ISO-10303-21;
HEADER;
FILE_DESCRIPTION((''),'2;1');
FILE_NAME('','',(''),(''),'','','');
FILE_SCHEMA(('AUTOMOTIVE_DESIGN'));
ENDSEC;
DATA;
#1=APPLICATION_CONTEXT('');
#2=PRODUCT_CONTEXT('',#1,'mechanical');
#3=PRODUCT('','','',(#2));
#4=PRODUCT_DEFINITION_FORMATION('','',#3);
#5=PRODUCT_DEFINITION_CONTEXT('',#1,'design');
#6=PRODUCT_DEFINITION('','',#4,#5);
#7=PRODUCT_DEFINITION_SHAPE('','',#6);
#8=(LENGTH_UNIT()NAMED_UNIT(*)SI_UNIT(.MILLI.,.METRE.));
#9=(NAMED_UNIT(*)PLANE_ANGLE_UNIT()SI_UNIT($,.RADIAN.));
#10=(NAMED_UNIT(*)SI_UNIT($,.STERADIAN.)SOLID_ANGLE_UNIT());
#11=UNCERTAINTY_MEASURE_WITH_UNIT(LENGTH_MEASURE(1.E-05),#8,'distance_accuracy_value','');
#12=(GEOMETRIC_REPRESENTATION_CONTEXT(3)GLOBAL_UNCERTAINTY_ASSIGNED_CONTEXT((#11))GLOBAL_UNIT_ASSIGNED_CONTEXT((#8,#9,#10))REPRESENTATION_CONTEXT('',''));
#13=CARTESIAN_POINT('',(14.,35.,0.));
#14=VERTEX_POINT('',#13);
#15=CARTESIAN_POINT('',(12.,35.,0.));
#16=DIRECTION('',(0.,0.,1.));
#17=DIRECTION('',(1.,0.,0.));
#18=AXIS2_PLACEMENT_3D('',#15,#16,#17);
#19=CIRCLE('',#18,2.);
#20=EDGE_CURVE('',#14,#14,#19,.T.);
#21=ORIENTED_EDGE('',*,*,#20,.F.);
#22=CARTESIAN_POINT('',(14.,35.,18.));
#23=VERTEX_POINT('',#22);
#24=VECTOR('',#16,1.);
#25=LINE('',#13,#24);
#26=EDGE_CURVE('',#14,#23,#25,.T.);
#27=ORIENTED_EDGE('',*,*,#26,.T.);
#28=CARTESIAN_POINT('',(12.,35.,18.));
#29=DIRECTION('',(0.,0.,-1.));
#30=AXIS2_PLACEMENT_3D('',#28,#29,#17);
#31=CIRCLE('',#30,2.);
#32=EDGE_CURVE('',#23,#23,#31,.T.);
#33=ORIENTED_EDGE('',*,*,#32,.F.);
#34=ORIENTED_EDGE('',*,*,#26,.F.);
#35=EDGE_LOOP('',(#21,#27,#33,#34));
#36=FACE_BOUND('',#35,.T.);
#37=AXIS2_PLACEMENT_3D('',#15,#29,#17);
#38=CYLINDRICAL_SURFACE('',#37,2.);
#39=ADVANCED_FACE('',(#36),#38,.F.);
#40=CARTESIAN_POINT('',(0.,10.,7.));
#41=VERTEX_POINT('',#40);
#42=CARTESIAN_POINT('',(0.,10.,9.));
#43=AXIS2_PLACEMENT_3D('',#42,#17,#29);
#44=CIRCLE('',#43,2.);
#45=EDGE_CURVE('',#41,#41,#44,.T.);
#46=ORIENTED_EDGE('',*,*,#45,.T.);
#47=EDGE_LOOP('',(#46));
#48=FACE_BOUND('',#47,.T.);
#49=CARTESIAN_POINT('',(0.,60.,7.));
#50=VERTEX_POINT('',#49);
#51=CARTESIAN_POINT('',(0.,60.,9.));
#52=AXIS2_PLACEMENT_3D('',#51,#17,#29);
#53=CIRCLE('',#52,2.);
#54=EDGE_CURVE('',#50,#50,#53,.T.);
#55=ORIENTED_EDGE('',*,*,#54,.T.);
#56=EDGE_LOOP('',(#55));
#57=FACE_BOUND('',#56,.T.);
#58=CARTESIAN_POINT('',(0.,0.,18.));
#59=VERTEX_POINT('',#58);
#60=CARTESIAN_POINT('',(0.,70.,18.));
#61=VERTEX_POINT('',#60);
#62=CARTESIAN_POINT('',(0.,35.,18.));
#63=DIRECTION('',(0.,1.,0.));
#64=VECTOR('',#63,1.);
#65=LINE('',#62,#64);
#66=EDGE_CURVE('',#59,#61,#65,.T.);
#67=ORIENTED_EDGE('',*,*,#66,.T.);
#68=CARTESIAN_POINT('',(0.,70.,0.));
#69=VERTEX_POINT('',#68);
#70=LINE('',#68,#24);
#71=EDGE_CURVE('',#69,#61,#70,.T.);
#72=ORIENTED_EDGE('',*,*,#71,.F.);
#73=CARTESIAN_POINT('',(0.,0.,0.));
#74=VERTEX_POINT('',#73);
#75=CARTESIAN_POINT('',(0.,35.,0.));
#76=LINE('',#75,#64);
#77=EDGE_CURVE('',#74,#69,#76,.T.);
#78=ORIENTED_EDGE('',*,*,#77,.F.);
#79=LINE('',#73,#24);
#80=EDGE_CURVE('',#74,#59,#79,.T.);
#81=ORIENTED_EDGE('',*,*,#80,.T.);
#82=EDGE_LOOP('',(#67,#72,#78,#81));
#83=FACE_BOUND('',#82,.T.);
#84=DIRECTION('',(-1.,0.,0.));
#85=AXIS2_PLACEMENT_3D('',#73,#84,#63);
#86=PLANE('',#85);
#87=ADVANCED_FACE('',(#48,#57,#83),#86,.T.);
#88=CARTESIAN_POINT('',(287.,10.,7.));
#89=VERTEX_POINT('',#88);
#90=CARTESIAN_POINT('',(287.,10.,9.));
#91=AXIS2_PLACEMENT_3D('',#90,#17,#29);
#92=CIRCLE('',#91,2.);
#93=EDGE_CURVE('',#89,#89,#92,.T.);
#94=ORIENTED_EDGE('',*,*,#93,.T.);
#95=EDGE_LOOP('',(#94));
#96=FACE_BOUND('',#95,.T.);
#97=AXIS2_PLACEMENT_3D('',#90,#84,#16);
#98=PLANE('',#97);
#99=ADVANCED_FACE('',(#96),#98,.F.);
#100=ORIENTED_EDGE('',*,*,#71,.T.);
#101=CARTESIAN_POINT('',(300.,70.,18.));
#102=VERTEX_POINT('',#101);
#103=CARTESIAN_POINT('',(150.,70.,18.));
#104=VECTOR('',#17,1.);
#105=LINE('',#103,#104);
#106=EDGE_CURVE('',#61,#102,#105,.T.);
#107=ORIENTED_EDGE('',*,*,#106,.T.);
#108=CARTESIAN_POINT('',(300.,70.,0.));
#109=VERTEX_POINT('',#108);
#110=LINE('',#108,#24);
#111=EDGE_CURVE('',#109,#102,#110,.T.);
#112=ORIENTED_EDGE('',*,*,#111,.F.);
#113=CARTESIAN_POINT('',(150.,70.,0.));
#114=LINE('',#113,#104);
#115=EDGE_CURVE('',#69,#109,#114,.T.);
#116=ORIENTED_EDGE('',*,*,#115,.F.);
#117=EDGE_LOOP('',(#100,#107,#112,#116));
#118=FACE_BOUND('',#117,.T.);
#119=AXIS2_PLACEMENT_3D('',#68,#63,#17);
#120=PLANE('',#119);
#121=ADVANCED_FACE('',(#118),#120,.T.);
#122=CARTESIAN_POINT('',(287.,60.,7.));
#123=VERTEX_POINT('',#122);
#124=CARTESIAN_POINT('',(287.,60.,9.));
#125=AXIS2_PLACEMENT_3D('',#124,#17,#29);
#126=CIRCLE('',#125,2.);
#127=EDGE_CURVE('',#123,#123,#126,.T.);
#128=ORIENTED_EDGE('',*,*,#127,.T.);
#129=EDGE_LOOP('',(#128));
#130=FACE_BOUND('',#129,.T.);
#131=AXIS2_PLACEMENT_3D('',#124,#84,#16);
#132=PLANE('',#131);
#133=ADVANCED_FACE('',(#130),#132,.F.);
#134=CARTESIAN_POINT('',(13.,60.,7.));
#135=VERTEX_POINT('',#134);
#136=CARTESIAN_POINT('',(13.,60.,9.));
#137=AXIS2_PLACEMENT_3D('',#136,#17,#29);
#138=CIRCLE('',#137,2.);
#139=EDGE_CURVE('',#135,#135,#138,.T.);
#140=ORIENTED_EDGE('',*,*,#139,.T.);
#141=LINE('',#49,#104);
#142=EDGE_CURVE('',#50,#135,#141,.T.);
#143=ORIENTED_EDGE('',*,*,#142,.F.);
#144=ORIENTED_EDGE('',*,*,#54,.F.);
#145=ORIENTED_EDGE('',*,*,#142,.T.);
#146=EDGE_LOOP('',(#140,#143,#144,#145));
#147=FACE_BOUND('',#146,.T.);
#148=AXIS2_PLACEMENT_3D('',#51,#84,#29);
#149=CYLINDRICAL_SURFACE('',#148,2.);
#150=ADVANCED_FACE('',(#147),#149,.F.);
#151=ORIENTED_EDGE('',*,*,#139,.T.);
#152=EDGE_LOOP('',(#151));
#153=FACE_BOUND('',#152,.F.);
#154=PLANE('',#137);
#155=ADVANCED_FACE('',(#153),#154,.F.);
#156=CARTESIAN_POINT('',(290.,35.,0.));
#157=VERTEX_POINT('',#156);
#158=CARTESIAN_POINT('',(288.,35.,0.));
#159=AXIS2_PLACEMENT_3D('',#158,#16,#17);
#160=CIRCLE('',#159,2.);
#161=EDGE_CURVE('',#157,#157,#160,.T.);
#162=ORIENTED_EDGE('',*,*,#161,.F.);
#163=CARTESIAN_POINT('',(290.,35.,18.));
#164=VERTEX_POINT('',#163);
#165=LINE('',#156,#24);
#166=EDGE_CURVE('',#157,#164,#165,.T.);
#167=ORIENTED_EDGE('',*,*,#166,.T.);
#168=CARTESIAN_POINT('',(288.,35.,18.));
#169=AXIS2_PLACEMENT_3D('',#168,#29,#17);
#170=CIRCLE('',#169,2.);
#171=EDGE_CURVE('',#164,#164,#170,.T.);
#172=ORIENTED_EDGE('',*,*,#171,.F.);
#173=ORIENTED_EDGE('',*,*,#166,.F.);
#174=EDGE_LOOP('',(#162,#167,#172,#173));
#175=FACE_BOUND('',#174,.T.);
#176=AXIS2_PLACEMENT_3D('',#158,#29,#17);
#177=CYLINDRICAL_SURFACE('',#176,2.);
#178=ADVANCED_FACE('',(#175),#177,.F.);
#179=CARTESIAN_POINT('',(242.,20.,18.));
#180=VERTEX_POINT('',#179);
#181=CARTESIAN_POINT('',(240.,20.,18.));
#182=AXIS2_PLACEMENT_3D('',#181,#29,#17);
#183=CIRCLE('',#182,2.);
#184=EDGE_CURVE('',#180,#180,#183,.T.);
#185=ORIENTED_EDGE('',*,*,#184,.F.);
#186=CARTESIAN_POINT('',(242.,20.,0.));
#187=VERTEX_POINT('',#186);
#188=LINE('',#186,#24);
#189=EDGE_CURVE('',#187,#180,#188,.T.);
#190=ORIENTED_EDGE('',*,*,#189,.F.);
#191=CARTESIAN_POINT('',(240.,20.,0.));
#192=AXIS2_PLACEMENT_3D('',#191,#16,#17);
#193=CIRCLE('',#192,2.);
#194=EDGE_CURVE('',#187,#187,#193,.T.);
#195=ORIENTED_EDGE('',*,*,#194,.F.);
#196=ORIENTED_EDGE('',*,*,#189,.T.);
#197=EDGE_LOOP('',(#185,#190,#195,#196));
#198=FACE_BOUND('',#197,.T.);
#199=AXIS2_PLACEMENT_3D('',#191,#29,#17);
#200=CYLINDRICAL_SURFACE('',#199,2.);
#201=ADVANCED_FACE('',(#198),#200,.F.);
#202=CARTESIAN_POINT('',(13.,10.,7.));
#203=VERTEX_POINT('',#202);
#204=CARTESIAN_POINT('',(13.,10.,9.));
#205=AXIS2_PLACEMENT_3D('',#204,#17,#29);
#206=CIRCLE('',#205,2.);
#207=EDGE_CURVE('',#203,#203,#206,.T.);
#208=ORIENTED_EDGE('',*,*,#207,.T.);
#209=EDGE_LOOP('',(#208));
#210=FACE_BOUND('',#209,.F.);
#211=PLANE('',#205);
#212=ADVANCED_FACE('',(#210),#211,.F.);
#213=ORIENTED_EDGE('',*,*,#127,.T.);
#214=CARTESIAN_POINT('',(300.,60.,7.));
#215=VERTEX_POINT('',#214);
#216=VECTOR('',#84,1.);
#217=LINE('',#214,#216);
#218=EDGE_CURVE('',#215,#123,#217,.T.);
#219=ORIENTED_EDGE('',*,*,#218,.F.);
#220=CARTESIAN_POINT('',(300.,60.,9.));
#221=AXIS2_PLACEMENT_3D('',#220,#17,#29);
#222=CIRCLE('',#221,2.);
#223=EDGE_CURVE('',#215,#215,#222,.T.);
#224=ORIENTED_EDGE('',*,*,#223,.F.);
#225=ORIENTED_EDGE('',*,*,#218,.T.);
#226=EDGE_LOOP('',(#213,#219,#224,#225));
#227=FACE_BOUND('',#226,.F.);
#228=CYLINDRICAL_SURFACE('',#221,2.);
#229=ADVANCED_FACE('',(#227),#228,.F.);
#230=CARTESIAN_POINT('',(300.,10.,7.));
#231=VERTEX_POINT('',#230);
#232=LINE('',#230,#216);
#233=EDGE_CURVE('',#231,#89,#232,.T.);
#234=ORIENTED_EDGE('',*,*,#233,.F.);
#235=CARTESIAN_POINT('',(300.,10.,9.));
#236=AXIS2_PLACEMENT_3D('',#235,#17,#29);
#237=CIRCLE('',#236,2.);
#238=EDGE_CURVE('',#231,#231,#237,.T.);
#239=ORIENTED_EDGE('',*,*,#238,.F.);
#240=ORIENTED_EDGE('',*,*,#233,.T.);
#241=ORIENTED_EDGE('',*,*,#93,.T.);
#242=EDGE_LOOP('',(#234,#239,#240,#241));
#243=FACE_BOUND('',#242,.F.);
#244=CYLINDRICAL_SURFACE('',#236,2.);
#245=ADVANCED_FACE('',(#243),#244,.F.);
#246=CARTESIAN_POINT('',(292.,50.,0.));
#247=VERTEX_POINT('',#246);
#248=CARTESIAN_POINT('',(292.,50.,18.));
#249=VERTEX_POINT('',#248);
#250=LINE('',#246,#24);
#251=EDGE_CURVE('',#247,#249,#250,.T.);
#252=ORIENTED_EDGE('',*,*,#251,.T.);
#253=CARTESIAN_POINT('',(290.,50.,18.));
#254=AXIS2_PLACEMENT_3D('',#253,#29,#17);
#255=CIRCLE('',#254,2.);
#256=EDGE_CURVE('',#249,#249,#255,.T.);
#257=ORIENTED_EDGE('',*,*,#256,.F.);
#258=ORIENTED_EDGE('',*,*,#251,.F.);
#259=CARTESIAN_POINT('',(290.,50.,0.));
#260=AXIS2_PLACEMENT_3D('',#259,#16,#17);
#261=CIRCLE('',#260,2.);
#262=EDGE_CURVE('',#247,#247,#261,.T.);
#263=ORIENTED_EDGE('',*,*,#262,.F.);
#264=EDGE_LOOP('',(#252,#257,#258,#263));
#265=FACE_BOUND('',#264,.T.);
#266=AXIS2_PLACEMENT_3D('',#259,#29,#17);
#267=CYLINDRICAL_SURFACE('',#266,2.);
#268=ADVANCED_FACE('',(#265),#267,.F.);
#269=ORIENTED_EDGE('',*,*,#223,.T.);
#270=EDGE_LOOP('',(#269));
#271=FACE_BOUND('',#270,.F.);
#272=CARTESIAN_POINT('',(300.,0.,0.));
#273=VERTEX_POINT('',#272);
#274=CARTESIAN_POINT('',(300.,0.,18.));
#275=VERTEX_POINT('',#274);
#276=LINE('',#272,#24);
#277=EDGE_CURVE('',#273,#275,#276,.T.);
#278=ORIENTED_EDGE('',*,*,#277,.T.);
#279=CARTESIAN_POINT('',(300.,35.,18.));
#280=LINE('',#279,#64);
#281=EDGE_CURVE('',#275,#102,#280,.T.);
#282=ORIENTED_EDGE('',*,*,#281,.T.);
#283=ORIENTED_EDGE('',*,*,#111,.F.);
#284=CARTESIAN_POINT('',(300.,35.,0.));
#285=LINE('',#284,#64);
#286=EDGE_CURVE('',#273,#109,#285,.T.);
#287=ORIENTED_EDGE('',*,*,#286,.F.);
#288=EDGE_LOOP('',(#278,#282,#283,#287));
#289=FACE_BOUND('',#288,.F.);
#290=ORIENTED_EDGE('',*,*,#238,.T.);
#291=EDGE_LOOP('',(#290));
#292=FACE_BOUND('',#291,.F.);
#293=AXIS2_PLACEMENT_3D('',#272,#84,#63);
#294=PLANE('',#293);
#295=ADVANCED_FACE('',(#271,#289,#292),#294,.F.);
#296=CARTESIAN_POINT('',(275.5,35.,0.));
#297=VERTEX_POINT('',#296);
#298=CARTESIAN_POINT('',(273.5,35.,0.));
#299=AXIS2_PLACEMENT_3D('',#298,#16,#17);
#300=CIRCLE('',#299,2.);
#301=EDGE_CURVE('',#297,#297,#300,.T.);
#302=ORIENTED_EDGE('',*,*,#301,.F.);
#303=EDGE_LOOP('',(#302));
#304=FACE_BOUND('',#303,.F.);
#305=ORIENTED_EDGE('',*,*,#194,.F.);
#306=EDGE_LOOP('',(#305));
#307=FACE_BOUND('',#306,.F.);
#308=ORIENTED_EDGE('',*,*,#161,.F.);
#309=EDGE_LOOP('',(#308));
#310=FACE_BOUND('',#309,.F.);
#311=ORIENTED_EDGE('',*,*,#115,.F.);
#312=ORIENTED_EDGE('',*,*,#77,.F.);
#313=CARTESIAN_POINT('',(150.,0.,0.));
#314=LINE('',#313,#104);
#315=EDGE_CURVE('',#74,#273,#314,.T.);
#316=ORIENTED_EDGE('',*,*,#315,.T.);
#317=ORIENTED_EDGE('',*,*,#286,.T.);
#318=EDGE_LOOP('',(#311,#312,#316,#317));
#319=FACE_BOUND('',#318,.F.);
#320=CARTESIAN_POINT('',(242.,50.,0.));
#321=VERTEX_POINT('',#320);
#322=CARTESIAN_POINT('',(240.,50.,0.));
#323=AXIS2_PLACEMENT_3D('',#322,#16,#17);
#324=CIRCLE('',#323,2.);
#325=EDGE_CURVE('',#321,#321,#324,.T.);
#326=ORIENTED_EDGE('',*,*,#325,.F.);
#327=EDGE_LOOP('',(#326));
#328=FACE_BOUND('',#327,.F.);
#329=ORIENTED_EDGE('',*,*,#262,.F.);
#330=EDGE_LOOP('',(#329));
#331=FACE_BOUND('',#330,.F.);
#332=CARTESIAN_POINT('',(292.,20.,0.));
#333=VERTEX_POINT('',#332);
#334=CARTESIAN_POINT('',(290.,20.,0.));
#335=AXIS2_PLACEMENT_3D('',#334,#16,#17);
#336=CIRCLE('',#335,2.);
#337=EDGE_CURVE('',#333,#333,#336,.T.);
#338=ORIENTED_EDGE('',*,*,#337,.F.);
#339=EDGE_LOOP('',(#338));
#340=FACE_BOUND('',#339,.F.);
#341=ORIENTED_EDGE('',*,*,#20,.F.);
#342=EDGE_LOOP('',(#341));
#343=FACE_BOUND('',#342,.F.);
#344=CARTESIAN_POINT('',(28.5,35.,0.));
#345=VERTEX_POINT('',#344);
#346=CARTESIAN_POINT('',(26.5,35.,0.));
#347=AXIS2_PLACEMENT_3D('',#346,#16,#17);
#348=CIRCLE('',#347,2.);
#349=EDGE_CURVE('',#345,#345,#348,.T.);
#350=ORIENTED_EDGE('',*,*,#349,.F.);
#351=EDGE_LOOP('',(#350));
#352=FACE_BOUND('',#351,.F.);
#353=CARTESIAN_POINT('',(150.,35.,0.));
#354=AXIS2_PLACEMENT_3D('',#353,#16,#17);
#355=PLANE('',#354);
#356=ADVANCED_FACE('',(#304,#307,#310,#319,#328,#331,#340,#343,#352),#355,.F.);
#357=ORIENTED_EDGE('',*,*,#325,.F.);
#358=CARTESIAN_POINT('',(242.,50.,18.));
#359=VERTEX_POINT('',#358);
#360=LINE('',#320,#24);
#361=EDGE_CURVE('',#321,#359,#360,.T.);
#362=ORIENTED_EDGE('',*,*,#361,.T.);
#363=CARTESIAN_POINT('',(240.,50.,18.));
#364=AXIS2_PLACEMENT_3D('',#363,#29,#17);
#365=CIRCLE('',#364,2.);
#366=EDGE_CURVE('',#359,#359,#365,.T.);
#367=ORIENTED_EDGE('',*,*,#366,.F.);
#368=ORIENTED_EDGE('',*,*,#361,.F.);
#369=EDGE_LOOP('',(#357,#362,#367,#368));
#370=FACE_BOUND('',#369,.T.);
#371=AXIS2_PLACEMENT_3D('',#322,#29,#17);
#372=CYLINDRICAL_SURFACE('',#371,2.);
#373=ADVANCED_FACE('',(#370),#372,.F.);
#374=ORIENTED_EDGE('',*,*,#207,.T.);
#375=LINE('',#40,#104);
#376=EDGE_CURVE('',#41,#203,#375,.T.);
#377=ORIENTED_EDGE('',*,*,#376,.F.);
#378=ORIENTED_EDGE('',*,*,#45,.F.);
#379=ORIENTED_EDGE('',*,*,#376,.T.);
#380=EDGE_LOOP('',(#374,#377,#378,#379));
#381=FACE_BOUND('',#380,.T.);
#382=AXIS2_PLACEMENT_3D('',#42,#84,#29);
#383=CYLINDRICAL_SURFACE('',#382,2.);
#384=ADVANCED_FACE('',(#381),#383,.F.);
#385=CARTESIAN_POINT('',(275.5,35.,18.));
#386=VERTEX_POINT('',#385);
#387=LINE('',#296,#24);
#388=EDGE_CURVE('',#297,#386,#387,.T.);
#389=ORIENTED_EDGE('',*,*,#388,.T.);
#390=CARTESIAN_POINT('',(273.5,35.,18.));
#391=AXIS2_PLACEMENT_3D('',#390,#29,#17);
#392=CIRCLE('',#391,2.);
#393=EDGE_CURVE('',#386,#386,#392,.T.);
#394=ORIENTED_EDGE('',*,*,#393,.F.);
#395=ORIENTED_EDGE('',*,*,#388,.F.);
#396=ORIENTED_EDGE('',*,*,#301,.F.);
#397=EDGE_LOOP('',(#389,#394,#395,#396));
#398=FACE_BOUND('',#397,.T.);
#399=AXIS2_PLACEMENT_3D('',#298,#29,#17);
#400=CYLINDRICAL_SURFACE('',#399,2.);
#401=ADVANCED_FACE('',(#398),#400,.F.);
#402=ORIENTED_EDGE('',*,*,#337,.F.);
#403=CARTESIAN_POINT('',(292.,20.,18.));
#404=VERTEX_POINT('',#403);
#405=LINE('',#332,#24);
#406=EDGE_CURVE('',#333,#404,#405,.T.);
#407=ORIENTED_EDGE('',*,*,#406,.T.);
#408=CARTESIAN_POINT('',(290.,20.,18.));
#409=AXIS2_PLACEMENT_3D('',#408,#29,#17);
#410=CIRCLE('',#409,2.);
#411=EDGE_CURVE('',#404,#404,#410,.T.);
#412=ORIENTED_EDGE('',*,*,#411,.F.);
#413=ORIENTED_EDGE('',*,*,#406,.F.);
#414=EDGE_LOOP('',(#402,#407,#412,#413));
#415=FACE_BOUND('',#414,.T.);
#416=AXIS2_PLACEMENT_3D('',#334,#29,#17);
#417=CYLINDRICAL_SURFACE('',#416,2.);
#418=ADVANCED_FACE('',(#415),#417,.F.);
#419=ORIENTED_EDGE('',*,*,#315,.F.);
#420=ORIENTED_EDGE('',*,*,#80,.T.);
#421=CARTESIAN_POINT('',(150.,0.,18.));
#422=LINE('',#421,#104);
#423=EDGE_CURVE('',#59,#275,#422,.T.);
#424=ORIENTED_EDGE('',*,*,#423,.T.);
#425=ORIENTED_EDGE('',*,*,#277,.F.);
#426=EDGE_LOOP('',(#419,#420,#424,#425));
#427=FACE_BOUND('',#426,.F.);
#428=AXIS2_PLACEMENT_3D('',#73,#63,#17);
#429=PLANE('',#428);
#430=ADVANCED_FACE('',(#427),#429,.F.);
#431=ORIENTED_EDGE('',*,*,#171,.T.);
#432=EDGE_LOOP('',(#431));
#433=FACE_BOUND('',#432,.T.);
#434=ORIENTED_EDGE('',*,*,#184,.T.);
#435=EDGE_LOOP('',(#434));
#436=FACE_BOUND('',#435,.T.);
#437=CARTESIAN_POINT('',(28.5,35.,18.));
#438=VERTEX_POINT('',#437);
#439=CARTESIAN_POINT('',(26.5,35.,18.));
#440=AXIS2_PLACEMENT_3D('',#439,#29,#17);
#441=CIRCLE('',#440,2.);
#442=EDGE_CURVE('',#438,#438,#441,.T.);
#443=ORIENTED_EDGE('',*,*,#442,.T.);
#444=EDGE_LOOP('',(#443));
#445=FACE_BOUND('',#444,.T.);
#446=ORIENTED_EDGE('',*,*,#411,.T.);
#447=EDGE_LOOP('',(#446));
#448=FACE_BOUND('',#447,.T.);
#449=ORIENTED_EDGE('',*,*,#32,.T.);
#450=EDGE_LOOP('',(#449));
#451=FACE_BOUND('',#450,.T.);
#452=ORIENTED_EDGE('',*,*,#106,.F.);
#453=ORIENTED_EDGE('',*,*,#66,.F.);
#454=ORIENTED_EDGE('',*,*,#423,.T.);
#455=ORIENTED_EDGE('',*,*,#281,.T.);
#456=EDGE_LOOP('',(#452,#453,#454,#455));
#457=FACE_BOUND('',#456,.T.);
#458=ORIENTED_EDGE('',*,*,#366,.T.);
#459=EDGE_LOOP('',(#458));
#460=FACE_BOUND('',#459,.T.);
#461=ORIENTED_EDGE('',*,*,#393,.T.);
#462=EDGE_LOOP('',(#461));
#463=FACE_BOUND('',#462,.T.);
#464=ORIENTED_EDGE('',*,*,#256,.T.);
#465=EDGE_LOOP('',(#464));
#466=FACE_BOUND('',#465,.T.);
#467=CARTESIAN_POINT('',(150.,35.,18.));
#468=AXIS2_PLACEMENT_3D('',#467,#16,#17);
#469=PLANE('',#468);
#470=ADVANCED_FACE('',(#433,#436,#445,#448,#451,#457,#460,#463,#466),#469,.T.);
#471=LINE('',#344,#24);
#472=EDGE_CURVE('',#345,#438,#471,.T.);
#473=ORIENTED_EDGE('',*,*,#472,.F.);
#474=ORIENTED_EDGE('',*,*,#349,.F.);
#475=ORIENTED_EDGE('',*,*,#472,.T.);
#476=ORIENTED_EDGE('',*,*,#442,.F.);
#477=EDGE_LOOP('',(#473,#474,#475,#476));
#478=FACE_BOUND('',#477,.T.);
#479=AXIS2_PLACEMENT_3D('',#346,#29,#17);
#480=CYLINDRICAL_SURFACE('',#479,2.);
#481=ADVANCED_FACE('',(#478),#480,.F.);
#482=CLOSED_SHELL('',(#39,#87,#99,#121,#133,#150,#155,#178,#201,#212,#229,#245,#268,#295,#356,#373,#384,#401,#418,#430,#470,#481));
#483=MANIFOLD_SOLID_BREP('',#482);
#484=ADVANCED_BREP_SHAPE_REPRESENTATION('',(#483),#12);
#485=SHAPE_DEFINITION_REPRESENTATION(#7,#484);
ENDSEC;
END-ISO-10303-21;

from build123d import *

# Parameters (mm, degrees)
CYLINDER005_R           = 2
CYLINDER005_DEPTH       = 13
CYLINDER005_PITCH_ANGLE = 90
CYLINDER006_R           = 2
CYLINDER006_DEPTH       = 13
CYLINDER006_PITCH_ANGLE = 90
CYLINDER003_R           = 2
CYLINDER003_DEPTH       = 25
CYLINDER004_R           = 2
CYLINDER004_DEPTH       = 25
CYLINDER002_R           = 2
CYLINDER002_DEPTH       = 25
ARRAY_X_COUNT           = 2
ARRAY_X_PITCH           = 50
ARRAY_Y_COUNT           = 2
ARRAY_Y_PITCH           = 30
CYLINDER001_R           = 2
CYLINDER001_DEPTH       = 25
CYLINDER_R              = 2
CYLINDER_DEPTH          = 25
BOX_W                   = 300
BOX_H                   = 70
BOX_DEPTH               = 18


with BuildPart() as cilindro005:
    # Cylinder005 → Cylinder005 (new body)
    with BuildSketch(Plane.XY):
        Circle(CYLINDER005_R)
    extrude(amount=CYLINDER005_DEPTH)


with BuildPart() as cilindro005_1:
    # Cylinder005 pitch: moved
    add(cilindro005.part.rotate(Axis((0, 0, 0), (0, 1, 0)), CYLINDER005_PITCH_ANGLE))


with BuildPart() as cilindro005_2:
    # Cylinder005 placement: moved
    add(cilindro005_1.part.moved(Location((0, 10, 9))))


with BuildPart() as fusion003:
    # Cylinder006 → Cylinder006 (new body)
    with BuildSketch(Plane.XY):
        Circle(CYLINDER006_R)
    extrude(amount=CYLINDER006_DEPTH)


with BuildPart() as fusion003_1:
    # Cylinder006 pitch: moved
    add(fusion003.part.rotate(Axis((0, 0, 0), (0, 1, 0)), CYLINDER006_PITCH_ANGLE))


with BuildPart() as fusion003_2:
    # Cylinder006 placement: moved
    add(fusion003_1.part.moved(Location((0, 60, 9))))

    # Fusion003: union Cilindro005
    add(cilindro005_2.part)


with BuildPart() as mirror_of_fusion003:
    # mirror: instance of Fusion003
    add(fusion003_2.part.mirror(Plane(origin=(300, 0, 18), x_dir=(0, -1, 0), z_dir=(1, 0, 0))))


with BuildPart() as mirror_of_fusion003_1:
    # mirror placement: moved
    add(mirror_of_fusion003.part.moved(Location((-300, 0, 0))))


with BuildPart() as cilindro003:
    # Cylinder003 → Cylinder003 (new body)
    with BuildSketch(Plane(origin=(26.5, 35, 0), x_dir=(1, 0, 0), z_dir=(0, 0, 1))):
        Circle(CYLINDER003_R)
    extrude(amount=CYLINDER003_DEPTH)


with BuildPart() as fusion001:
    # Cylinder004 → Cylinder004 (new body)
    with BuildSketch(Plane(origin=(12, 35, 0), x_dir=(1, 0, 0), z_dir=(0, 0, 1))):
        Circle(CYLINDER004_R)
    extrude(amount=CYLINDER004_DEPTH)

    # Fusion001: union Cilindro003
    add(cilindro003.part)


with BuildPart() as fusion001_1:
    # Fusion001 placement: moved
    add(fusion001.part.moved(Location((261.5, 0, 0))))


with BuildPart() as array:
    # Cylinder002 → Cylinder002 (new body)
    with BuildSketch(Plane.XY):
        Circle(CYLINDER002_R)
    extrude(amount=CYLINDER002_DEPTH)

    # Array X: Array ×2


with BuildPart() as array_1:
    add(array.part)
    with Locations(*[(i * ARRAY_X_PITCH, 0, 0) for i in range(1, ARRAY_X_COUNT)]):
        add(array.part)

    # Array Y: Array ×2


with BuildPart() as array_2:
    add(array_1.part)
    with Locations(*[(0, i * ARRAY_Y_PITCH, 0) for i in range(1, ARRAY_Y_COUNT)]):
        add(array_1.part)


with BuildPart() as array_3:
    # Array placement: moved
    add(array_2.part.moved(Location((240, 20, 0))))


with BuildPart() as cilindro001:
    # Cylinder001 → Cylinder001 (new body)
    with BuildSketch(Plane(origin=(26.5, 35, 0), x_dir=(1, 0, 0), z_dir=(0, 0, 1))):
        Circle(CYLINDER001_R)
    extrude(amount=CYLINDER001_DEPTH)


with BuildPart() as fusion002:
    # Cylinder → Cylinder (new body)
    with BuildSketch(Plane(origin=(12, 35, 0), x_dir=(1, 0, 0), z_dir=(0, 0, 1))):
        Circle(CYLINDER_R)
    extrude(amount=CYLINDER_DEPTH)

    # Fusion: union Cilindro001
    add(cilindro001.part)

    # Fusion002: union Fusion001, Array
    add(fusion001_1.part)
    add(array_3.part)


with BuildPart() as cut002:
    # Box → Box (new body)
    with BuildSketch(Plane.XY):
        with Locations((150, 35)):
            Rectangle(BOX_W, BOX_H)
    extrude(amount=BOX_DEPTH)

    # Cut: cut Fusion002
    add(fusion002.part, mode=Mode.SUBTRACT)

    # Cut001: cut Mirror of Fusion003
    add(mirror_of_fusion003_1.part, mode=Mode.SUBTRACT)

    # Cut002: cut Fusion003
    add(fusion003_2.part, mode=Mode.SUBTRACT)


solid = cut002.part
